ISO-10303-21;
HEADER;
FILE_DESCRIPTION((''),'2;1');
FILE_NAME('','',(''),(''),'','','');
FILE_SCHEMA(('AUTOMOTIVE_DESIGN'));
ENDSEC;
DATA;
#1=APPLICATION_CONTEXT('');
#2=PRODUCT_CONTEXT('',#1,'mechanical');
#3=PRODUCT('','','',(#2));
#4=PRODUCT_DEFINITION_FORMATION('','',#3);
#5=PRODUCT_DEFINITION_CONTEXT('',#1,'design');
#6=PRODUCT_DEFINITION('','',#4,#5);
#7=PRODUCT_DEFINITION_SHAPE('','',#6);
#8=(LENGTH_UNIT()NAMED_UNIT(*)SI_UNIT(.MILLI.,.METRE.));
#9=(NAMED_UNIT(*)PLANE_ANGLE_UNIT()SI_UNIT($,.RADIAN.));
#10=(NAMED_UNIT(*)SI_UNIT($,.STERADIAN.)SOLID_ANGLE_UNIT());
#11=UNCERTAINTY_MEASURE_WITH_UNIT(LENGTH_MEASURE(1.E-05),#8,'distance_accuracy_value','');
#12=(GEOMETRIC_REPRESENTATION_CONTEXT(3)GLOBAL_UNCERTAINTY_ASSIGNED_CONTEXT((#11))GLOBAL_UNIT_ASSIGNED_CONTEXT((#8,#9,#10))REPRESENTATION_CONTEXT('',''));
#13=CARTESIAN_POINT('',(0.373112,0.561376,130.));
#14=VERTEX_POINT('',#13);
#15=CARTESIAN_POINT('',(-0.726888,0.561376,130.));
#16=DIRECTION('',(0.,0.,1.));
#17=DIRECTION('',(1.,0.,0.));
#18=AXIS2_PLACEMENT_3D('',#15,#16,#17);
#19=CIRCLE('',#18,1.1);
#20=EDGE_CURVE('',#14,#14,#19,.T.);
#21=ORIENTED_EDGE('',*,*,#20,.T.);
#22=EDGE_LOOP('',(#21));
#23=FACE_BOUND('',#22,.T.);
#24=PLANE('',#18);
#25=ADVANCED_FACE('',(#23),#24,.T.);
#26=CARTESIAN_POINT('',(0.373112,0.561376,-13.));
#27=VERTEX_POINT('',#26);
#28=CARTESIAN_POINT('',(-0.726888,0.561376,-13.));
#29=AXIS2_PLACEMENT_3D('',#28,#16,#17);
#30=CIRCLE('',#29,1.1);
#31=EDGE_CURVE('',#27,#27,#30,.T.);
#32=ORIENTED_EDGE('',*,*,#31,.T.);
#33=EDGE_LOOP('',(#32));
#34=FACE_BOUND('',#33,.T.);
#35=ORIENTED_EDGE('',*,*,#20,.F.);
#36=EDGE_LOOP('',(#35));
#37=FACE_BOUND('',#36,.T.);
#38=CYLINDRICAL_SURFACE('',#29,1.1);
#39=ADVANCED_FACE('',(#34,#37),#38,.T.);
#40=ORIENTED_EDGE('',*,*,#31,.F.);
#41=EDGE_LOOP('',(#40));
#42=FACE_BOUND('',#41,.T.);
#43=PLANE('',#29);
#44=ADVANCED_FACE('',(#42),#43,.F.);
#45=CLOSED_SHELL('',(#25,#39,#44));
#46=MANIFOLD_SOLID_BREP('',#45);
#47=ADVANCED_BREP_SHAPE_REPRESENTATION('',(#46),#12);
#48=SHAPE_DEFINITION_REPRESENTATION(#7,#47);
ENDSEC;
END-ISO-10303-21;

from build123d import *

# Parameters (mm, degrees)
SKETCH1_R                = 1.1
BOSS_EXTRUDE2_DEPTH      = 130
BOSS_EXTRUDE2_DEPTH_BACK = 13


with BuildPart() as part:
    # Sketch1 → Boss-Extrude2 (new body, two sides)
    with BuildSketch(Plane.XY) as boss_extrude2_sk:
        with Locations((-0.726888422, 0.561376025)):
            Circle(SKETCH1_R)
    extrude(amount=BOSS_EXTRUDE2_DEPTH)
    extrude(boss_extrude2_sk.sketch, amount=-BOSS_EXTRUDE2_DEPTH_BACK)


solid = part.part
